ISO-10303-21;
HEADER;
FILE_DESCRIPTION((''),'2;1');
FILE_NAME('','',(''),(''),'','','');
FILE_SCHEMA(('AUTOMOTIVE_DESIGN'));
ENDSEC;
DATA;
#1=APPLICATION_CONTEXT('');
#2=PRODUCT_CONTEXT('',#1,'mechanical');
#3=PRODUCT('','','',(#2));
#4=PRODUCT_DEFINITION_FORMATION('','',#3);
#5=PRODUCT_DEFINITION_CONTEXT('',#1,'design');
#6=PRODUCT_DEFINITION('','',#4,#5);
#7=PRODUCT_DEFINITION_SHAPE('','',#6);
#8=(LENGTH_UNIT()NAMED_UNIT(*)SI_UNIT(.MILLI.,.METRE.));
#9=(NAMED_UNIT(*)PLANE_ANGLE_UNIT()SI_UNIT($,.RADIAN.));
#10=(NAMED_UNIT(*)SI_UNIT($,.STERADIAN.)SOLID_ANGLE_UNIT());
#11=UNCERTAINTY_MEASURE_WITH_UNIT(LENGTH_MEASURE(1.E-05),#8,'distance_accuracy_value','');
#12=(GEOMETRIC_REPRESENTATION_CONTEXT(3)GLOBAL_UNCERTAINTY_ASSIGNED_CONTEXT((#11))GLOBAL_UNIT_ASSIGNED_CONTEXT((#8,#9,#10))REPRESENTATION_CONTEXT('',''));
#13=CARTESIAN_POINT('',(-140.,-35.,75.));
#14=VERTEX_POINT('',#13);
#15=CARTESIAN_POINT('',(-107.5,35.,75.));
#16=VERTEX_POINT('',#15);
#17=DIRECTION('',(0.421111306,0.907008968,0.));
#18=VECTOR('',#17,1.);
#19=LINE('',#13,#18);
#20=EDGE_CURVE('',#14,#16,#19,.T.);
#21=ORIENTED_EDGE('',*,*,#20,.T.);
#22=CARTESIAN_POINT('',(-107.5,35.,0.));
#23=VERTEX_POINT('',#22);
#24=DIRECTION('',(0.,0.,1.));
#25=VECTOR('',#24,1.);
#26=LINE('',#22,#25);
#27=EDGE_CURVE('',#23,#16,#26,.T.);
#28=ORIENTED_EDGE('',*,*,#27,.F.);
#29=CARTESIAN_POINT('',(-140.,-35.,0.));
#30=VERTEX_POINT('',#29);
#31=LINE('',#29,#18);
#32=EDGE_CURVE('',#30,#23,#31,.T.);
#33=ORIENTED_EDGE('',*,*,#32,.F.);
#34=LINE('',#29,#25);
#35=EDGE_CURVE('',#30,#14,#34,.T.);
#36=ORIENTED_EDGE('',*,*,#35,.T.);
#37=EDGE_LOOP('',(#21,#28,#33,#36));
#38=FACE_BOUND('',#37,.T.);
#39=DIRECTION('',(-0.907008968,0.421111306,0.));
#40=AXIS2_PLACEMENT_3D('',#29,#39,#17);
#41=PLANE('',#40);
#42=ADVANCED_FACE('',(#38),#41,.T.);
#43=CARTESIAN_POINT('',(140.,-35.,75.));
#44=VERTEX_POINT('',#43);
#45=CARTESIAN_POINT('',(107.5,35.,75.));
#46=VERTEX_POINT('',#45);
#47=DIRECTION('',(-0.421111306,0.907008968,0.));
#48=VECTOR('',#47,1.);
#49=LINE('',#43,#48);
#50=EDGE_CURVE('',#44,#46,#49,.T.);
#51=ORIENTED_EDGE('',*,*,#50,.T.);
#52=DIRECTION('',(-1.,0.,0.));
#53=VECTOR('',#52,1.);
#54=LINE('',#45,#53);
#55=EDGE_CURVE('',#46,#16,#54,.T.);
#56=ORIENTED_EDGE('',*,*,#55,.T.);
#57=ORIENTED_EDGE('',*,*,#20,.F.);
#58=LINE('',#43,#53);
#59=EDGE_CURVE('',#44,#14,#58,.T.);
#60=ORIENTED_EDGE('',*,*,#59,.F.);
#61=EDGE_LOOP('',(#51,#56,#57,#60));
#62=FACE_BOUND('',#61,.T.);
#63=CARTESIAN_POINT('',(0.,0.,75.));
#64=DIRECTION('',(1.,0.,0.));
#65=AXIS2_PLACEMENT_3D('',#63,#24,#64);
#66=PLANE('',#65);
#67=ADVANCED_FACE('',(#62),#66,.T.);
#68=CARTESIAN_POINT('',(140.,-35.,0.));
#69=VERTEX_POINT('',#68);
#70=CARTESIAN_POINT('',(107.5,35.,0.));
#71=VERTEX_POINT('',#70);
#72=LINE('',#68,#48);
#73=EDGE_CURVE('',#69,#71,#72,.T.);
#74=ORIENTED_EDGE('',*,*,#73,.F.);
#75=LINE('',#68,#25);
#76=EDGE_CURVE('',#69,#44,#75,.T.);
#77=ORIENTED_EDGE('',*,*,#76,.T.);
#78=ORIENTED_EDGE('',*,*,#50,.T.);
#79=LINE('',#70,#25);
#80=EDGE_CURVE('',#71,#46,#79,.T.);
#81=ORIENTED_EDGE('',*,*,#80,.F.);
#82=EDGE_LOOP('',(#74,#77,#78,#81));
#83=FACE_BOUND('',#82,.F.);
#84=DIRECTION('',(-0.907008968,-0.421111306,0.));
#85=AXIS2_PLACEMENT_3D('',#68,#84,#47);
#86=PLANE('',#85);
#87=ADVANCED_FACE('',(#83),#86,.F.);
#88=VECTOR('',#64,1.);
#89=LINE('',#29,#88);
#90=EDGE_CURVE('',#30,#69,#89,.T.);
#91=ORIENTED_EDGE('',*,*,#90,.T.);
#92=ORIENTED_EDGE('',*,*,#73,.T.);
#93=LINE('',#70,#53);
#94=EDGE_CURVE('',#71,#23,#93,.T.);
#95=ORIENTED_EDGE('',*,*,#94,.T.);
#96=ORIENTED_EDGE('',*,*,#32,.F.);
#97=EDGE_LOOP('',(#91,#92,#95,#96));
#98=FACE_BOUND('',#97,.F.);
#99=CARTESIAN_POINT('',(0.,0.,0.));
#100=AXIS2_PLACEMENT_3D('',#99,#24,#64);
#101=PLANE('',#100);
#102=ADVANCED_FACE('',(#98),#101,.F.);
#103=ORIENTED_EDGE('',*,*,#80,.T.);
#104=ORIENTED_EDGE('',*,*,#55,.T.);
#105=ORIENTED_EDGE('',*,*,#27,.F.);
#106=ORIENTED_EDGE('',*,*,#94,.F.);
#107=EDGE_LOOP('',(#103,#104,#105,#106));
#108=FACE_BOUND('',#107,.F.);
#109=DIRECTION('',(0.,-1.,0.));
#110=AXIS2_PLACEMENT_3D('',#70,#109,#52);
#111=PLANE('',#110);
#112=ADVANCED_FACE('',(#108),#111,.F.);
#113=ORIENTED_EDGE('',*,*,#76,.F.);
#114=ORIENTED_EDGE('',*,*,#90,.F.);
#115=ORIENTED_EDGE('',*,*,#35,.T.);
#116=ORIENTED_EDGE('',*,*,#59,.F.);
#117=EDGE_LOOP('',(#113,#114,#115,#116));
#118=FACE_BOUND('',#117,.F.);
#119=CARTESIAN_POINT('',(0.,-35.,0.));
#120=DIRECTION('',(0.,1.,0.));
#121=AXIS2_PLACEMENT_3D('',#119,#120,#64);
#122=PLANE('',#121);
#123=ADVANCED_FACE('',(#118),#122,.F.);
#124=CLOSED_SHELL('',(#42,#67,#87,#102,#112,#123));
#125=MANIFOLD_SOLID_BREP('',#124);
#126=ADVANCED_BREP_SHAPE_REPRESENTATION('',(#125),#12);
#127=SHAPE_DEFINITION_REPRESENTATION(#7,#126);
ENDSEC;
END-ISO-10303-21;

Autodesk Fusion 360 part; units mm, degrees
sketch "스케치1" plane through (0, 0, 0) normal (0, 0, 1) x (1, 0, 0)
  line L0 (107.5, 35) -> (-107.5, 35)
  line L1 (-107.5, 35) -> (-107.5, -35)
  line L2 (-107.5, -35) -> (107.5, -35)
  line L3 (107.5, -35) -> (107.5, 35)
  line L4 (107.5, 35) -> (-107.5, -35) construction
  line L5 (-107.5, 35) -> (107.5, -35) construction
  line L6 (0, -35) -> (140, -35)
  line L7 (0, -35) -> (-140, -35)
  line L8 (-140, -35) -> (-107.5, 35)
  line L9 (140, -35) -> (107.5, 35)
  dimension "d1" = 215
  dimension "d2" = 70
  dimension "d3" = 140
  dimension "d4" = 140
extrude "돌출1" add sketch "스케치1" along normal blind 75
